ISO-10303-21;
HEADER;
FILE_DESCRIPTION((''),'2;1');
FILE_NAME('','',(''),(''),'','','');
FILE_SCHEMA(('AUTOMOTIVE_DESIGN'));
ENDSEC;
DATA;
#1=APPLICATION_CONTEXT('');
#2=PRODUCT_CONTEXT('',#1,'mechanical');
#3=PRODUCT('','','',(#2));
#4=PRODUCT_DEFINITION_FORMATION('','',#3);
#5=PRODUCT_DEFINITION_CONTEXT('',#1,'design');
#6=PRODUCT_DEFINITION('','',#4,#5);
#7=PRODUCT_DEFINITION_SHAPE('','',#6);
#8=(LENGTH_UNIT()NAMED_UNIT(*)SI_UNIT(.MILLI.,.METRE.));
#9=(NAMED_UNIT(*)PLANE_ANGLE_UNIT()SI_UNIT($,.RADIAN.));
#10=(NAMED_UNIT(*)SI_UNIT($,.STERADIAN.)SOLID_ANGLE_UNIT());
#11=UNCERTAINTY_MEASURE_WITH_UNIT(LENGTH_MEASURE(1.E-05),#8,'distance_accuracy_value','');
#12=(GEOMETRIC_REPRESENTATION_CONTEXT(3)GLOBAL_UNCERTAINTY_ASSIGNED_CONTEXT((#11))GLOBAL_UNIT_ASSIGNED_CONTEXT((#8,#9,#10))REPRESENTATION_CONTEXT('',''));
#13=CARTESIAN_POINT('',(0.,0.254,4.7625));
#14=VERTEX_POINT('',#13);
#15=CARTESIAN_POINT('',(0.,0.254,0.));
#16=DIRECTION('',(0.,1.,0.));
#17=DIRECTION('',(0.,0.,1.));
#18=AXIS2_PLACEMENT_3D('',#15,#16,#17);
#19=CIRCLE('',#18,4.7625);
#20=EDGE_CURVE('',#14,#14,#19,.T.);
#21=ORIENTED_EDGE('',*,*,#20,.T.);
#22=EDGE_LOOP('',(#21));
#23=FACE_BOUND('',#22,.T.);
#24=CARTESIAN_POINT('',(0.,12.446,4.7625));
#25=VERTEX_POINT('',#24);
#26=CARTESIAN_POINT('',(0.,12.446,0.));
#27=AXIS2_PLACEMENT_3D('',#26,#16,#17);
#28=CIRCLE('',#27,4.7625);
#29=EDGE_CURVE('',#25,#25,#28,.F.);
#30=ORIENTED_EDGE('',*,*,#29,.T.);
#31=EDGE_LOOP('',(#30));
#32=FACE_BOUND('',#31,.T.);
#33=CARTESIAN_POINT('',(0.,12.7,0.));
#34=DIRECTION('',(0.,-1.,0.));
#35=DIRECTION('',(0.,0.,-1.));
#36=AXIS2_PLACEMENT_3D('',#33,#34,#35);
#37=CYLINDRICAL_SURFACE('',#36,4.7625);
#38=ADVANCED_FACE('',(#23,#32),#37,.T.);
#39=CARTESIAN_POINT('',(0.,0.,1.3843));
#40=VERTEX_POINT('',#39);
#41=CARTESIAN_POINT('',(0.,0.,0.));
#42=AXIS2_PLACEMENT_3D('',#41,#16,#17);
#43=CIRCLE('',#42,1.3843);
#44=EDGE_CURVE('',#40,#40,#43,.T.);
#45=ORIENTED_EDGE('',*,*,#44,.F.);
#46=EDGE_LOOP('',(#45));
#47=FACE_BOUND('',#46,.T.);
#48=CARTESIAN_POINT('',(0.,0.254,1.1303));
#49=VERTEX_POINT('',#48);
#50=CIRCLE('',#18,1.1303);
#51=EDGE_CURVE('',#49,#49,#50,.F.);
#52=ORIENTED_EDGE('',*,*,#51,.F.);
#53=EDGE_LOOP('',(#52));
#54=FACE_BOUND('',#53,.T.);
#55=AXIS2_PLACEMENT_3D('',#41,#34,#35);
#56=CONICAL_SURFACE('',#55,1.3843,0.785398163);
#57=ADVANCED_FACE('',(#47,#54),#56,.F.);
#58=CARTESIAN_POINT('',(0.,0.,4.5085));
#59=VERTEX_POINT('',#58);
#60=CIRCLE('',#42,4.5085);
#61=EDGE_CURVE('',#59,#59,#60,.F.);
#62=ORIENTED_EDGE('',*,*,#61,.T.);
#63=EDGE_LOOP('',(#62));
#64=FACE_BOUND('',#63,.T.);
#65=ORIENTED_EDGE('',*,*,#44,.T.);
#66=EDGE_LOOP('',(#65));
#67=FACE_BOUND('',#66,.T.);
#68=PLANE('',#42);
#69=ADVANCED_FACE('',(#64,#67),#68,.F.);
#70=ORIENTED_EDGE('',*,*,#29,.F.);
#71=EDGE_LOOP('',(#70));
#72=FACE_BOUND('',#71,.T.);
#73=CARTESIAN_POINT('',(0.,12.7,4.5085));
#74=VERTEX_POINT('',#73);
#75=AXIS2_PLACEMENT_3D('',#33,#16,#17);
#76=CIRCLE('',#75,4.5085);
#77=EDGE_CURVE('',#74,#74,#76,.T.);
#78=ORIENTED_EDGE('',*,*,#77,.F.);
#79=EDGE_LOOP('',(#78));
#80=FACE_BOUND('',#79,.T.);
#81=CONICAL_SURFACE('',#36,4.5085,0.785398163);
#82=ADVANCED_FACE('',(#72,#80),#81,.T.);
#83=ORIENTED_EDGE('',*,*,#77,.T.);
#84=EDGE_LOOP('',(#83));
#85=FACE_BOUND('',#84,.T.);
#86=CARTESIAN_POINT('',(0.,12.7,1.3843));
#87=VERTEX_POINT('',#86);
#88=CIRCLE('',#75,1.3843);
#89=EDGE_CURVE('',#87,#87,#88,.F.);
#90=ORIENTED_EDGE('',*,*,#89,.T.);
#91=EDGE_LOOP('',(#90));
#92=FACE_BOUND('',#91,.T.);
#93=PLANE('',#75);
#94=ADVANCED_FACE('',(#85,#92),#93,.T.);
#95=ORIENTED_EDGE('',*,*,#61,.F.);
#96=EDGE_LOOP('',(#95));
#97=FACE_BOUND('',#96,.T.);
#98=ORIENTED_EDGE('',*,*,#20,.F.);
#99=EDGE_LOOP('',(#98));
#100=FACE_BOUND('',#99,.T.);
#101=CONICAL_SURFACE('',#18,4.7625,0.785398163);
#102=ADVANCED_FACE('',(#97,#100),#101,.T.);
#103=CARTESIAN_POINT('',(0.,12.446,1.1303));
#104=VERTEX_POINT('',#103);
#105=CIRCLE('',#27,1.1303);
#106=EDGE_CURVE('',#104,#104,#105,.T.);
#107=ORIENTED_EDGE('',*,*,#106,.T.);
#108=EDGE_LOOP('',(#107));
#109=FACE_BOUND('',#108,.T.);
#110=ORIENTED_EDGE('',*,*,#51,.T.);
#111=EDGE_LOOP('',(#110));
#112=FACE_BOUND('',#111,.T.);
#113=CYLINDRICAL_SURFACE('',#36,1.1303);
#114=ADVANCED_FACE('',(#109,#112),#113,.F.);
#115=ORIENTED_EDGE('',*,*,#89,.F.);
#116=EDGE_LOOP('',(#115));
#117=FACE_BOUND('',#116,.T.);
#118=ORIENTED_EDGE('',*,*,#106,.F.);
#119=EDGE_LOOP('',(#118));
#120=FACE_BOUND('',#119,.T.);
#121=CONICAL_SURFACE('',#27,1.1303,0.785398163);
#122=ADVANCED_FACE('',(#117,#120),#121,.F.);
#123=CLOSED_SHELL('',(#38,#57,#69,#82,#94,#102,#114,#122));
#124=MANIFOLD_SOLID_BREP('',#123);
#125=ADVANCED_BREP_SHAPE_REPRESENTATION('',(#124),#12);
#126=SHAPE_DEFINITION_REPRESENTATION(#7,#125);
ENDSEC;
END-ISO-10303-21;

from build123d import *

# Parameters (mm, degrees)
SKETCH1_R           = 4.7625
SKETCH1_R_2         = 1.1303
BOSS_EXTRUDE1_DEPTH = 12.7
CHAMFER1_SIZE       = 0.254


with BuildPart() as part:
    # Sketch1 → Boss-Extrude1 (new body)
    with BuildSketch(Plane(origin=(0, 0, 0), x_dir=(1, 0, 0), z_dir=(0, 1, 0))):
        with Locations(Location((0, 0, 0), (0, 0, 270))):
            Circle(SKETCH1_R)
        with Locations(Location((0, 0, 0), (0, 0, 270))):
            Circle(SKETCH1_R_2, mode=Mode.SUBTRACT)
    extrude(amount=BOSS_EXTRUDE1_DEPTH)

    # Chamfer1
    chamfer1_edges = [part.edges().sort_by_distance(p)[0] for p in [
        (0, 0, -4.7625),
        (0, 12.7, -4.7625),
        (0, 0, -1.1303),
        (0, 12.7, -1.1303),
    ]]
    chamfer(chamfer1_edges, length=CHAMFER1_SIZE)


solid = part.part
